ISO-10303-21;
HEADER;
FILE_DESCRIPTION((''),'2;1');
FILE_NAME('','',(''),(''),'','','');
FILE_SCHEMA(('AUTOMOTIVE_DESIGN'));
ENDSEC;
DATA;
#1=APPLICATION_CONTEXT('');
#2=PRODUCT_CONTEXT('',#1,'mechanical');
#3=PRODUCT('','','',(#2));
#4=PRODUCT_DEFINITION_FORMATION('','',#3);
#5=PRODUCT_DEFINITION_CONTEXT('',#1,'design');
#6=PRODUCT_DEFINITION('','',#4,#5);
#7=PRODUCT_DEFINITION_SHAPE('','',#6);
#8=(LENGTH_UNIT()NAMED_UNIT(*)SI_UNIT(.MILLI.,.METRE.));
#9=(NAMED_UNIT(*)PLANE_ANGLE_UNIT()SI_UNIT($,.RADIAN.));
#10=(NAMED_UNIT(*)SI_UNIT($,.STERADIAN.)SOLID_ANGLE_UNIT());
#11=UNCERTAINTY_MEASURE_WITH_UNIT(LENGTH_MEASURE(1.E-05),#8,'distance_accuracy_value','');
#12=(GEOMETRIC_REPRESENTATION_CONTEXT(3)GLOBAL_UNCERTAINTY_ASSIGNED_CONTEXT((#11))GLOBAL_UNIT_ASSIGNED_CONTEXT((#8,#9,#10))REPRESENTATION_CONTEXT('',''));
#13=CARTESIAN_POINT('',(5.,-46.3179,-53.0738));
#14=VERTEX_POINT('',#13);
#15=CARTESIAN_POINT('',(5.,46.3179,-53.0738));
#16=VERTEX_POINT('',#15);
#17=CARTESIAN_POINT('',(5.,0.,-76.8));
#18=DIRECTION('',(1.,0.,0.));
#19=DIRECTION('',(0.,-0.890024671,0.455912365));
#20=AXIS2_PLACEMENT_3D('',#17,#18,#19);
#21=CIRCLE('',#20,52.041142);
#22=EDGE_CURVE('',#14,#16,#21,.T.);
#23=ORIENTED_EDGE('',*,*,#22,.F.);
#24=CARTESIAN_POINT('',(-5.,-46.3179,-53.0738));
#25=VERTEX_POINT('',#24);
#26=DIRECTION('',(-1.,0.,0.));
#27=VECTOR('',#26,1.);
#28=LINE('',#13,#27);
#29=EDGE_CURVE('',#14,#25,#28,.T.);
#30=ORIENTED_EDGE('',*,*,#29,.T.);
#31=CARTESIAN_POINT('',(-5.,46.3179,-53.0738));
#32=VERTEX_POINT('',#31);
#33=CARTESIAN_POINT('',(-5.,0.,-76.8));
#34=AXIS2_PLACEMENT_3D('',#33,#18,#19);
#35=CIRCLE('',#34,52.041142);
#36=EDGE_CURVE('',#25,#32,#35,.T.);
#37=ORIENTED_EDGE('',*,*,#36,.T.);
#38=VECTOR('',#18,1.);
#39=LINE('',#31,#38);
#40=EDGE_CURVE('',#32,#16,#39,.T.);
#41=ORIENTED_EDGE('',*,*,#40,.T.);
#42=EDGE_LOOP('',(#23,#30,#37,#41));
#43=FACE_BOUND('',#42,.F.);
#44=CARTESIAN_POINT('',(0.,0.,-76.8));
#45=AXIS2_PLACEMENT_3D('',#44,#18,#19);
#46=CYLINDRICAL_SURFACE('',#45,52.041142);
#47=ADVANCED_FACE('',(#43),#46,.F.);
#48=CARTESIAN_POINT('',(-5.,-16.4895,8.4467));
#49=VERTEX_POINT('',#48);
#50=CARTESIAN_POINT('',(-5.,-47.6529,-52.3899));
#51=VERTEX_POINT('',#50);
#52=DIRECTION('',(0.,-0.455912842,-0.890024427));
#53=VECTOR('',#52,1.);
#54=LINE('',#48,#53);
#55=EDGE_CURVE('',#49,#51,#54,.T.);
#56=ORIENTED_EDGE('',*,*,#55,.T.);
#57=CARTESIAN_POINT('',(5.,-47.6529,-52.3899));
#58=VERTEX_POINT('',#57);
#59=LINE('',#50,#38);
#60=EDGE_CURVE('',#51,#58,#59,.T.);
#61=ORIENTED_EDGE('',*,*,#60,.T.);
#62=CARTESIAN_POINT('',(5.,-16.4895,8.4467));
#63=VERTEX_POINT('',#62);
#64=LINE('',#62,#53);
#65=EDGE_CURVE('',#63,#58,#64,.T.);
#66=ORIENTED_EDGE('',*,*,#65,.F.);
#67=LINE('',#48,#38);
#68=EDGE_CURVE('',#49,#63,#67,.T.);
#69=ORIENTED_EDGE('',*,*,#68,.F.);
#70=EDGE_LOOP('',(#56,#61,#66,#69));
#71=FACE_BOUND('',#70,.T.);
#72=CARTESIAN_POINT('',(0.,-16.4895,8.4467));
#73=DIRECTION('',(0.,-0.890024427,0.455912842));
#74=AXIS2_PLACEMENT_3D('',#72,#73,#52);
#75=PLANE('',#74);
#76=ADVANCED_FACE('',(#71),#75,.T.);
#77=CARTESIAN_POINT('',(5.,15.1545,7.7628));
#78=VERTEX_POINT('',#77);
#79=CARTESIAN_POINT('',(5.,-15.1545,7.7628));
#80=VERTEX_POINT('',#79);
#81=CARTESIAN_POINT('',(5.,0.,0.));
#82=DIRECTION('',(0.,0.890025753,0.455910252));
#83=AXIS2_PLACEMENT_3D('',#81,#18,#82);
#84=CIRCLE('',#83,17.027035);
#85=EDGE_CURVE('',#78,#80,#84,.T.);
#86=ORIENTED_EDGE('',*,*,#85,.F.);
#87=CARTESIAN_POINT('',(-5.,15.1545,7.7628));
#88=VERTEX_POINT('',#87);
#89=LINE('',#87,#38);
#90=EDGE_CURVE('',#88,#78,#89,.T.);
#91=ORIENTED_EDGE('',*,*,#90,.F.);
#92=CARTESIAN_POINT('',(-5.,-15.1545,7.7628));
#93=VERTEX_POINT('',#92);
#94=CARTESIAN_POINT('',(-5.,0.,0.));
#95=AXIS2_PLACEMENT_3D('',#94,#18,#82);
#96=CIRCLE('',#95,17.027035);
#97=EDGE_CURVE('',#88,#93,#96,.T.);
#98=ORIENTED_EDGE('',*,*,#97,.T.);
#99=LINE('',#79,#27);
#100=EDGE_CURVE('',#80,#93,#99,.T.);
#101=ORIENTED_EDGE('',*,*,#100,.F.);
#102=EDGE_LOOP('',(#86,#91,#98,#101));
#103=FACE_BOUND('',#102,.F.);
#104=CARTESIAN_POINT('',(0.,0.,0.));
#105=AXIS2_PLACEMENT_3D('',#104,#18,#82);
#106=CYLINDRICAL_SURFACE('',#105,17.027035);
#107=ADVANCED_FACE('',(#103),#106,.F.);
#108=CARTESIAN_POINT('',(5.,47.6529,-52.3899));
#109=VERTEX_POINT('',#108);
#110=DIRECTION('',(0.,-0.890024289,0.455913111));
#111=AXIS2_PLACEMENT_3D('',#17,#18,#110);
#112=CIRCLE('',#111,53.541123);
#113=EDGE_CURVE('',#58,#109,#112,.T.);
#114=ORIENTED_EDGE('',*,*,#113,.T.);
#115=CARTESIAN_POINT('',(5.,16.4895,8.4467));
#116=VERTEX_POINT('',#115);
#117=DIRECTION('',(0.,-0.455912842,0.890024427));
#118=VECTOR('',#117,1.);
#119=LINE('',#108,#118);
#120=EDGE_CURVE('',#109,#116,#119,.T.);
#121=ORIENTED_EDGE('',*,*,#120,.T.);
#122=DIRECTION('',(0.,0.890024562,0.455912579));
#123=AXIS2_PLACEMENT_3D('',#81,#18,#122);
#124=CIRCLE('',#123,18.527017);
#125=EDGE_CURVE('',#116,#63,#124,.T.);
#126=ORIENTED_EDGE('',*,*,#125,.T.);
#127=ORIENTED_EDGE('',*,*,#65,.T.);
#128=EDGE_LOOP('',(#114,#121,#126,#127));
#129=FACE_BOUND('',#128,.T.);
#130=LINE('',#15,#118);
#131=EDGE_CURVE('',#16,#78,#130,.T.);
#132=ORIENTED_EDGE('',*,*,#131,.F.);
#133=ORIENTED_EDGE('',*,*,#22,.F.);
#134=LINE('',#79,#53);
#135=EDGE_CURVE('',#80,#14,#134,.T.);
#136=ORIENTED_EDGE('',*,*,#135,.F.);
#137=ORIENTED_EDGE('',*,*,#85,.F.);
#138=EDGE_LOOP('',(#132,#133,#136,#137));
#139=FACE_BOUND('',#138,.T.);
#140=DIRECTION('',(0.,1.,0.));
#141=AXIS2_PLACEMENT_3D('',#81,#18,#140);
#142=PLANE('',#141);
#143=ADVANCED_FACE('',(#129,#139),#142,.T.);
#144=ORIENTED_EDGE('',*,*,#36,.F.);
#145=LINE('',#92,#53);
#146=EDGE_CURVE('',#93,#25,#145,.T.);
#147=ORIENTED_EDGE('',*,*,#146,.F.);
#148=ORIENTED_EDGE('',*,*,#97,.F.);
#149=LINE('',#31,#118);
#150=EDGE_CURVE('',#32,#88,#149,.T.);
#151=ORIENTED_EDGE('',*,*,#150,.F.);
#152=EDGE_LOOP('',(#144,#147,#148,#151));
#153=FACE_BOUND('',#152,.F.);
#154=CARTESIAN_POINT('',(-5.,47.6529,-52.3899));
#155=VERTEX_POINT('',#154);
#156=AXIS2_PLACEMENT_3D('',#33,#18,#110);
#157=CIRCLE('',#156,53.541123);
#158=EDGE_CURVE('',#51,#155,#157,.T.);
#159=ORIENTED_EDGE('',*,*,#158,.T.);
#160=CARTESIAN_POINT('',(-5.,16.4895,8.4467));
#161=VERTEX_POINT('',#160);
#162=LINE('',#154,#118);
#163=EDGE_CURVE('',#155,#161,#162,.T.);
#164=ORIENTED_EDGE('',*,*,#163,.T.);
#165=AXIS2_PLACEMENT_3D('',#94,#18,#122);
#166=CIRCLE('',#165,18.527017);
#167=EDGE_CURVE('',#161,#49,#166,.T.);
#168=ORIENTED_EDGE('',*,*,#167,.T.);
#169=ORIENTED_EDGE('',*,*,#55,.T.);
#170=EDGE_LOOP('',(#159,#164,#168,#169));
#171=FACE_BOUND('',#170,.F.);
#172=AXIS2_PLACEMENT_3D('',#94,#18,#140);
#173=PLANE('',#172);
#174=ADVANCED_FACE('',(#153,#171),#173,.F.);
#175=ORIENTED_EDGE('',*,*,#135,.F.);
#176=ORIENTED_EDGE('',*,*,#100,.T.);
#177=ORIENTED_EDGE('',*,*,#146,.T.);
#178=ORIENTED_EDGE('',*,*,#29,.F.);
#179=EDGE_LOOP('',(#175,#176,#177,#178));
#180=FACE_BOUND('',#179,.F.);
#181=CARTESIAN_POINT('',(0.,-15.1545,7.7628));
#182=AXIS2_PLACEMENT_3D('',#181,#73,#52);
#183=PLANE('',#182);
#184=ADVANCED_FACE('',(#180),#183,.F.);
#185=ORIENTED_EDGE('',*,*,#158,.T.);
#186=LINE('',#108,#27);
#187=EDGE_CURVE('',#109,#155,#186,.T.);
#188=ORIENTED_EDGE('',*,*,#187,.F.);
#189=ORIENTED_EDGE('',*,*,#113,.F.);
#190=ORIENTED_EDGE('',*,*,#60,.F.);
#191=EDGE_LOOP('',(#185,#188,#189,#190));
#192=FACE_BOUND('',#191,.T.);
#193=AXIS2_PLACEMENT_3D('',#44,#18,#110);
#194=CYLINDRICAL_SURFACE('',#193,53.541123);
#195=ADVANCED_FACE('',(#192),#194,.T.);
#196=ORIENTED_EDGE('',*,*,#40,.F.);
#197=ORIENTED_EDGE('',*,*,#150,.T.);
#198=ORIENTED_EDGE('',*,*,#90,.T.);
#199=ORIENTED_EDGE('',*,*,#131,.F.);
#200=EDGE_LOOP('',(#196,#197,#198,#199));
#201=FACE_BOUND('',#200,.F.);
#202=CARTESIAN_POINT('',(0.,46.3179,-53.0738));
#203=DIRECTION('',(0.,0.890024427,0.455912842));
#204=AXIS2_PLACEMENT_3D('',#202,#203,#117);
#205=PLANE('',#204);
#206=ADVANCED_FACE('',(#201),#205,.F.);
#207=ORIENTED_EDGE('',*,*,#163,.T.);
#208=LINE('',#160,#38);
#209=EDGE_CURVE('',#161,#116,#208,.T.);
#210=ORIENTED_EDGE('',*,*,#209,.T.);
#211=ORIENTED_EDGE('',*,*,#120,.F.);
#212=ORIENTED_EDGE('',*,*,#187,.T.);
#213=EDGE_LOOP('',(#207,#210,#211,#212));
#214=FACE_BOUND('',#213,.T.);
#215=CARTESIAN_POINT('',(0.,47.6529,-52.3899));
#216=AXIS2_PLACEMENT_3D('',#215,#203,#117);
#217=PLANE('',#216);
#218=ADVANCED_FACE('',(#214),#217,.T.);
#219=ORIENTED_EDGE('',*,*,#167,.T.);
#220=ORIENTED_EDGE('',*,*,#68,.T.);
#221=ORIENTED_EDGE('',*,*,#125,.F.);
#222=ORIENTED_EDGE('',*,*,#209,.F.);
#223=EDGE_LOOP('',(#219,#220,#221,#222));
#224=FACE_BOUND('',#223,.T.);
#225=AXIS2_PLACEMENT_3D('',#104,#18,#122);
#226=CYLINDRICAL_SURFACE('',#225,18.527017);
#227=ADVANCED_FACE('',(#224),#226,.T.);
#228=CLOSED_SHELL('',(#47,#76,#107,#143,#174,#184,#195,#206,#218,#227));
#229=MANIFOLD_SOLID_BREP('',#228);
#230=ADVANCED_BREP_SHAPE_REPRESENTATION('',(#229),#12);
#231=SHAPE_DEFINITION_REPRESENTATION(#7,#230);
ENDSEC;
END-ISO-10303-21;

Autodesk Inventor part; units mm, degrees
ref_plane "YZ Plane" through (0, 0, 0) normal (1, 0, 0) x (0, 1, 0)
ref_plane "XZ Plane" through (0, 0, 0) normal (0, 1, 0) x (-1, 0, 0)
ref_plane "XY Plane" through (0, 0, 0) normal (0, 0, 1) x (1, 0, 0)
sketch "スケッチ1" plane through (0, 0, 0) normal (1, 0, 0) x (0, 1, 0)
  arc A0 (15.5817, 7.9817) -> (-15.5817, 7.9817) centre (0, 0) ccw
  arc A1 (-46.7451, -52.855) -> (46.7451, -52.855) centre (0, -76.8) ccw
  line L0 (46.7451, -52.855) -> (15.5817, 7.9817)
  line L1 (-15.5817, 7.9817) -> (-46.7451, -52.855)
  arc A2 (16.4895, 8.4467) -> (-16.4895, 8.4467) centre (0, 0) ccw
  line L2 (-16.4895, 8.4467) -> (-47.6529, -52.3899)
  arc A3 (-47.6529, -52.3899) -> (47.6529, -52.3899) centre (0, -76.8) ccw
  line L3 (47.6529, -52.3899) -> (16.4895, 8.4467)
  arc A4 (15.1545, 7.7628) -> (-15.1545, 7.7628) centre (0, 0) ccw
  line L4 (-15.1545, 7.7628) -> (-46.3179, -53.0738)
  arc A5 (-46.3179, -53.0738) -> (46.3179, -53.0738) centre (0, -76.8) ccw
  line L5 (46.3179, -53.0738) -> (15.1545, 7.7628)
  dimension "d0" = 35.0141
  dimension "d1" = 105.0423
  dimension "d2" = 76.8
  dimension "d31" = 1.5
  dimension "d32" = 0.48
extrude "押し出し1" add sketch "スケッチ1" along normal mid plane 10 contours L0 A1 L1 A0 | L3 A3 L2 A2
properties part number "belt_1" material "ゴム"
